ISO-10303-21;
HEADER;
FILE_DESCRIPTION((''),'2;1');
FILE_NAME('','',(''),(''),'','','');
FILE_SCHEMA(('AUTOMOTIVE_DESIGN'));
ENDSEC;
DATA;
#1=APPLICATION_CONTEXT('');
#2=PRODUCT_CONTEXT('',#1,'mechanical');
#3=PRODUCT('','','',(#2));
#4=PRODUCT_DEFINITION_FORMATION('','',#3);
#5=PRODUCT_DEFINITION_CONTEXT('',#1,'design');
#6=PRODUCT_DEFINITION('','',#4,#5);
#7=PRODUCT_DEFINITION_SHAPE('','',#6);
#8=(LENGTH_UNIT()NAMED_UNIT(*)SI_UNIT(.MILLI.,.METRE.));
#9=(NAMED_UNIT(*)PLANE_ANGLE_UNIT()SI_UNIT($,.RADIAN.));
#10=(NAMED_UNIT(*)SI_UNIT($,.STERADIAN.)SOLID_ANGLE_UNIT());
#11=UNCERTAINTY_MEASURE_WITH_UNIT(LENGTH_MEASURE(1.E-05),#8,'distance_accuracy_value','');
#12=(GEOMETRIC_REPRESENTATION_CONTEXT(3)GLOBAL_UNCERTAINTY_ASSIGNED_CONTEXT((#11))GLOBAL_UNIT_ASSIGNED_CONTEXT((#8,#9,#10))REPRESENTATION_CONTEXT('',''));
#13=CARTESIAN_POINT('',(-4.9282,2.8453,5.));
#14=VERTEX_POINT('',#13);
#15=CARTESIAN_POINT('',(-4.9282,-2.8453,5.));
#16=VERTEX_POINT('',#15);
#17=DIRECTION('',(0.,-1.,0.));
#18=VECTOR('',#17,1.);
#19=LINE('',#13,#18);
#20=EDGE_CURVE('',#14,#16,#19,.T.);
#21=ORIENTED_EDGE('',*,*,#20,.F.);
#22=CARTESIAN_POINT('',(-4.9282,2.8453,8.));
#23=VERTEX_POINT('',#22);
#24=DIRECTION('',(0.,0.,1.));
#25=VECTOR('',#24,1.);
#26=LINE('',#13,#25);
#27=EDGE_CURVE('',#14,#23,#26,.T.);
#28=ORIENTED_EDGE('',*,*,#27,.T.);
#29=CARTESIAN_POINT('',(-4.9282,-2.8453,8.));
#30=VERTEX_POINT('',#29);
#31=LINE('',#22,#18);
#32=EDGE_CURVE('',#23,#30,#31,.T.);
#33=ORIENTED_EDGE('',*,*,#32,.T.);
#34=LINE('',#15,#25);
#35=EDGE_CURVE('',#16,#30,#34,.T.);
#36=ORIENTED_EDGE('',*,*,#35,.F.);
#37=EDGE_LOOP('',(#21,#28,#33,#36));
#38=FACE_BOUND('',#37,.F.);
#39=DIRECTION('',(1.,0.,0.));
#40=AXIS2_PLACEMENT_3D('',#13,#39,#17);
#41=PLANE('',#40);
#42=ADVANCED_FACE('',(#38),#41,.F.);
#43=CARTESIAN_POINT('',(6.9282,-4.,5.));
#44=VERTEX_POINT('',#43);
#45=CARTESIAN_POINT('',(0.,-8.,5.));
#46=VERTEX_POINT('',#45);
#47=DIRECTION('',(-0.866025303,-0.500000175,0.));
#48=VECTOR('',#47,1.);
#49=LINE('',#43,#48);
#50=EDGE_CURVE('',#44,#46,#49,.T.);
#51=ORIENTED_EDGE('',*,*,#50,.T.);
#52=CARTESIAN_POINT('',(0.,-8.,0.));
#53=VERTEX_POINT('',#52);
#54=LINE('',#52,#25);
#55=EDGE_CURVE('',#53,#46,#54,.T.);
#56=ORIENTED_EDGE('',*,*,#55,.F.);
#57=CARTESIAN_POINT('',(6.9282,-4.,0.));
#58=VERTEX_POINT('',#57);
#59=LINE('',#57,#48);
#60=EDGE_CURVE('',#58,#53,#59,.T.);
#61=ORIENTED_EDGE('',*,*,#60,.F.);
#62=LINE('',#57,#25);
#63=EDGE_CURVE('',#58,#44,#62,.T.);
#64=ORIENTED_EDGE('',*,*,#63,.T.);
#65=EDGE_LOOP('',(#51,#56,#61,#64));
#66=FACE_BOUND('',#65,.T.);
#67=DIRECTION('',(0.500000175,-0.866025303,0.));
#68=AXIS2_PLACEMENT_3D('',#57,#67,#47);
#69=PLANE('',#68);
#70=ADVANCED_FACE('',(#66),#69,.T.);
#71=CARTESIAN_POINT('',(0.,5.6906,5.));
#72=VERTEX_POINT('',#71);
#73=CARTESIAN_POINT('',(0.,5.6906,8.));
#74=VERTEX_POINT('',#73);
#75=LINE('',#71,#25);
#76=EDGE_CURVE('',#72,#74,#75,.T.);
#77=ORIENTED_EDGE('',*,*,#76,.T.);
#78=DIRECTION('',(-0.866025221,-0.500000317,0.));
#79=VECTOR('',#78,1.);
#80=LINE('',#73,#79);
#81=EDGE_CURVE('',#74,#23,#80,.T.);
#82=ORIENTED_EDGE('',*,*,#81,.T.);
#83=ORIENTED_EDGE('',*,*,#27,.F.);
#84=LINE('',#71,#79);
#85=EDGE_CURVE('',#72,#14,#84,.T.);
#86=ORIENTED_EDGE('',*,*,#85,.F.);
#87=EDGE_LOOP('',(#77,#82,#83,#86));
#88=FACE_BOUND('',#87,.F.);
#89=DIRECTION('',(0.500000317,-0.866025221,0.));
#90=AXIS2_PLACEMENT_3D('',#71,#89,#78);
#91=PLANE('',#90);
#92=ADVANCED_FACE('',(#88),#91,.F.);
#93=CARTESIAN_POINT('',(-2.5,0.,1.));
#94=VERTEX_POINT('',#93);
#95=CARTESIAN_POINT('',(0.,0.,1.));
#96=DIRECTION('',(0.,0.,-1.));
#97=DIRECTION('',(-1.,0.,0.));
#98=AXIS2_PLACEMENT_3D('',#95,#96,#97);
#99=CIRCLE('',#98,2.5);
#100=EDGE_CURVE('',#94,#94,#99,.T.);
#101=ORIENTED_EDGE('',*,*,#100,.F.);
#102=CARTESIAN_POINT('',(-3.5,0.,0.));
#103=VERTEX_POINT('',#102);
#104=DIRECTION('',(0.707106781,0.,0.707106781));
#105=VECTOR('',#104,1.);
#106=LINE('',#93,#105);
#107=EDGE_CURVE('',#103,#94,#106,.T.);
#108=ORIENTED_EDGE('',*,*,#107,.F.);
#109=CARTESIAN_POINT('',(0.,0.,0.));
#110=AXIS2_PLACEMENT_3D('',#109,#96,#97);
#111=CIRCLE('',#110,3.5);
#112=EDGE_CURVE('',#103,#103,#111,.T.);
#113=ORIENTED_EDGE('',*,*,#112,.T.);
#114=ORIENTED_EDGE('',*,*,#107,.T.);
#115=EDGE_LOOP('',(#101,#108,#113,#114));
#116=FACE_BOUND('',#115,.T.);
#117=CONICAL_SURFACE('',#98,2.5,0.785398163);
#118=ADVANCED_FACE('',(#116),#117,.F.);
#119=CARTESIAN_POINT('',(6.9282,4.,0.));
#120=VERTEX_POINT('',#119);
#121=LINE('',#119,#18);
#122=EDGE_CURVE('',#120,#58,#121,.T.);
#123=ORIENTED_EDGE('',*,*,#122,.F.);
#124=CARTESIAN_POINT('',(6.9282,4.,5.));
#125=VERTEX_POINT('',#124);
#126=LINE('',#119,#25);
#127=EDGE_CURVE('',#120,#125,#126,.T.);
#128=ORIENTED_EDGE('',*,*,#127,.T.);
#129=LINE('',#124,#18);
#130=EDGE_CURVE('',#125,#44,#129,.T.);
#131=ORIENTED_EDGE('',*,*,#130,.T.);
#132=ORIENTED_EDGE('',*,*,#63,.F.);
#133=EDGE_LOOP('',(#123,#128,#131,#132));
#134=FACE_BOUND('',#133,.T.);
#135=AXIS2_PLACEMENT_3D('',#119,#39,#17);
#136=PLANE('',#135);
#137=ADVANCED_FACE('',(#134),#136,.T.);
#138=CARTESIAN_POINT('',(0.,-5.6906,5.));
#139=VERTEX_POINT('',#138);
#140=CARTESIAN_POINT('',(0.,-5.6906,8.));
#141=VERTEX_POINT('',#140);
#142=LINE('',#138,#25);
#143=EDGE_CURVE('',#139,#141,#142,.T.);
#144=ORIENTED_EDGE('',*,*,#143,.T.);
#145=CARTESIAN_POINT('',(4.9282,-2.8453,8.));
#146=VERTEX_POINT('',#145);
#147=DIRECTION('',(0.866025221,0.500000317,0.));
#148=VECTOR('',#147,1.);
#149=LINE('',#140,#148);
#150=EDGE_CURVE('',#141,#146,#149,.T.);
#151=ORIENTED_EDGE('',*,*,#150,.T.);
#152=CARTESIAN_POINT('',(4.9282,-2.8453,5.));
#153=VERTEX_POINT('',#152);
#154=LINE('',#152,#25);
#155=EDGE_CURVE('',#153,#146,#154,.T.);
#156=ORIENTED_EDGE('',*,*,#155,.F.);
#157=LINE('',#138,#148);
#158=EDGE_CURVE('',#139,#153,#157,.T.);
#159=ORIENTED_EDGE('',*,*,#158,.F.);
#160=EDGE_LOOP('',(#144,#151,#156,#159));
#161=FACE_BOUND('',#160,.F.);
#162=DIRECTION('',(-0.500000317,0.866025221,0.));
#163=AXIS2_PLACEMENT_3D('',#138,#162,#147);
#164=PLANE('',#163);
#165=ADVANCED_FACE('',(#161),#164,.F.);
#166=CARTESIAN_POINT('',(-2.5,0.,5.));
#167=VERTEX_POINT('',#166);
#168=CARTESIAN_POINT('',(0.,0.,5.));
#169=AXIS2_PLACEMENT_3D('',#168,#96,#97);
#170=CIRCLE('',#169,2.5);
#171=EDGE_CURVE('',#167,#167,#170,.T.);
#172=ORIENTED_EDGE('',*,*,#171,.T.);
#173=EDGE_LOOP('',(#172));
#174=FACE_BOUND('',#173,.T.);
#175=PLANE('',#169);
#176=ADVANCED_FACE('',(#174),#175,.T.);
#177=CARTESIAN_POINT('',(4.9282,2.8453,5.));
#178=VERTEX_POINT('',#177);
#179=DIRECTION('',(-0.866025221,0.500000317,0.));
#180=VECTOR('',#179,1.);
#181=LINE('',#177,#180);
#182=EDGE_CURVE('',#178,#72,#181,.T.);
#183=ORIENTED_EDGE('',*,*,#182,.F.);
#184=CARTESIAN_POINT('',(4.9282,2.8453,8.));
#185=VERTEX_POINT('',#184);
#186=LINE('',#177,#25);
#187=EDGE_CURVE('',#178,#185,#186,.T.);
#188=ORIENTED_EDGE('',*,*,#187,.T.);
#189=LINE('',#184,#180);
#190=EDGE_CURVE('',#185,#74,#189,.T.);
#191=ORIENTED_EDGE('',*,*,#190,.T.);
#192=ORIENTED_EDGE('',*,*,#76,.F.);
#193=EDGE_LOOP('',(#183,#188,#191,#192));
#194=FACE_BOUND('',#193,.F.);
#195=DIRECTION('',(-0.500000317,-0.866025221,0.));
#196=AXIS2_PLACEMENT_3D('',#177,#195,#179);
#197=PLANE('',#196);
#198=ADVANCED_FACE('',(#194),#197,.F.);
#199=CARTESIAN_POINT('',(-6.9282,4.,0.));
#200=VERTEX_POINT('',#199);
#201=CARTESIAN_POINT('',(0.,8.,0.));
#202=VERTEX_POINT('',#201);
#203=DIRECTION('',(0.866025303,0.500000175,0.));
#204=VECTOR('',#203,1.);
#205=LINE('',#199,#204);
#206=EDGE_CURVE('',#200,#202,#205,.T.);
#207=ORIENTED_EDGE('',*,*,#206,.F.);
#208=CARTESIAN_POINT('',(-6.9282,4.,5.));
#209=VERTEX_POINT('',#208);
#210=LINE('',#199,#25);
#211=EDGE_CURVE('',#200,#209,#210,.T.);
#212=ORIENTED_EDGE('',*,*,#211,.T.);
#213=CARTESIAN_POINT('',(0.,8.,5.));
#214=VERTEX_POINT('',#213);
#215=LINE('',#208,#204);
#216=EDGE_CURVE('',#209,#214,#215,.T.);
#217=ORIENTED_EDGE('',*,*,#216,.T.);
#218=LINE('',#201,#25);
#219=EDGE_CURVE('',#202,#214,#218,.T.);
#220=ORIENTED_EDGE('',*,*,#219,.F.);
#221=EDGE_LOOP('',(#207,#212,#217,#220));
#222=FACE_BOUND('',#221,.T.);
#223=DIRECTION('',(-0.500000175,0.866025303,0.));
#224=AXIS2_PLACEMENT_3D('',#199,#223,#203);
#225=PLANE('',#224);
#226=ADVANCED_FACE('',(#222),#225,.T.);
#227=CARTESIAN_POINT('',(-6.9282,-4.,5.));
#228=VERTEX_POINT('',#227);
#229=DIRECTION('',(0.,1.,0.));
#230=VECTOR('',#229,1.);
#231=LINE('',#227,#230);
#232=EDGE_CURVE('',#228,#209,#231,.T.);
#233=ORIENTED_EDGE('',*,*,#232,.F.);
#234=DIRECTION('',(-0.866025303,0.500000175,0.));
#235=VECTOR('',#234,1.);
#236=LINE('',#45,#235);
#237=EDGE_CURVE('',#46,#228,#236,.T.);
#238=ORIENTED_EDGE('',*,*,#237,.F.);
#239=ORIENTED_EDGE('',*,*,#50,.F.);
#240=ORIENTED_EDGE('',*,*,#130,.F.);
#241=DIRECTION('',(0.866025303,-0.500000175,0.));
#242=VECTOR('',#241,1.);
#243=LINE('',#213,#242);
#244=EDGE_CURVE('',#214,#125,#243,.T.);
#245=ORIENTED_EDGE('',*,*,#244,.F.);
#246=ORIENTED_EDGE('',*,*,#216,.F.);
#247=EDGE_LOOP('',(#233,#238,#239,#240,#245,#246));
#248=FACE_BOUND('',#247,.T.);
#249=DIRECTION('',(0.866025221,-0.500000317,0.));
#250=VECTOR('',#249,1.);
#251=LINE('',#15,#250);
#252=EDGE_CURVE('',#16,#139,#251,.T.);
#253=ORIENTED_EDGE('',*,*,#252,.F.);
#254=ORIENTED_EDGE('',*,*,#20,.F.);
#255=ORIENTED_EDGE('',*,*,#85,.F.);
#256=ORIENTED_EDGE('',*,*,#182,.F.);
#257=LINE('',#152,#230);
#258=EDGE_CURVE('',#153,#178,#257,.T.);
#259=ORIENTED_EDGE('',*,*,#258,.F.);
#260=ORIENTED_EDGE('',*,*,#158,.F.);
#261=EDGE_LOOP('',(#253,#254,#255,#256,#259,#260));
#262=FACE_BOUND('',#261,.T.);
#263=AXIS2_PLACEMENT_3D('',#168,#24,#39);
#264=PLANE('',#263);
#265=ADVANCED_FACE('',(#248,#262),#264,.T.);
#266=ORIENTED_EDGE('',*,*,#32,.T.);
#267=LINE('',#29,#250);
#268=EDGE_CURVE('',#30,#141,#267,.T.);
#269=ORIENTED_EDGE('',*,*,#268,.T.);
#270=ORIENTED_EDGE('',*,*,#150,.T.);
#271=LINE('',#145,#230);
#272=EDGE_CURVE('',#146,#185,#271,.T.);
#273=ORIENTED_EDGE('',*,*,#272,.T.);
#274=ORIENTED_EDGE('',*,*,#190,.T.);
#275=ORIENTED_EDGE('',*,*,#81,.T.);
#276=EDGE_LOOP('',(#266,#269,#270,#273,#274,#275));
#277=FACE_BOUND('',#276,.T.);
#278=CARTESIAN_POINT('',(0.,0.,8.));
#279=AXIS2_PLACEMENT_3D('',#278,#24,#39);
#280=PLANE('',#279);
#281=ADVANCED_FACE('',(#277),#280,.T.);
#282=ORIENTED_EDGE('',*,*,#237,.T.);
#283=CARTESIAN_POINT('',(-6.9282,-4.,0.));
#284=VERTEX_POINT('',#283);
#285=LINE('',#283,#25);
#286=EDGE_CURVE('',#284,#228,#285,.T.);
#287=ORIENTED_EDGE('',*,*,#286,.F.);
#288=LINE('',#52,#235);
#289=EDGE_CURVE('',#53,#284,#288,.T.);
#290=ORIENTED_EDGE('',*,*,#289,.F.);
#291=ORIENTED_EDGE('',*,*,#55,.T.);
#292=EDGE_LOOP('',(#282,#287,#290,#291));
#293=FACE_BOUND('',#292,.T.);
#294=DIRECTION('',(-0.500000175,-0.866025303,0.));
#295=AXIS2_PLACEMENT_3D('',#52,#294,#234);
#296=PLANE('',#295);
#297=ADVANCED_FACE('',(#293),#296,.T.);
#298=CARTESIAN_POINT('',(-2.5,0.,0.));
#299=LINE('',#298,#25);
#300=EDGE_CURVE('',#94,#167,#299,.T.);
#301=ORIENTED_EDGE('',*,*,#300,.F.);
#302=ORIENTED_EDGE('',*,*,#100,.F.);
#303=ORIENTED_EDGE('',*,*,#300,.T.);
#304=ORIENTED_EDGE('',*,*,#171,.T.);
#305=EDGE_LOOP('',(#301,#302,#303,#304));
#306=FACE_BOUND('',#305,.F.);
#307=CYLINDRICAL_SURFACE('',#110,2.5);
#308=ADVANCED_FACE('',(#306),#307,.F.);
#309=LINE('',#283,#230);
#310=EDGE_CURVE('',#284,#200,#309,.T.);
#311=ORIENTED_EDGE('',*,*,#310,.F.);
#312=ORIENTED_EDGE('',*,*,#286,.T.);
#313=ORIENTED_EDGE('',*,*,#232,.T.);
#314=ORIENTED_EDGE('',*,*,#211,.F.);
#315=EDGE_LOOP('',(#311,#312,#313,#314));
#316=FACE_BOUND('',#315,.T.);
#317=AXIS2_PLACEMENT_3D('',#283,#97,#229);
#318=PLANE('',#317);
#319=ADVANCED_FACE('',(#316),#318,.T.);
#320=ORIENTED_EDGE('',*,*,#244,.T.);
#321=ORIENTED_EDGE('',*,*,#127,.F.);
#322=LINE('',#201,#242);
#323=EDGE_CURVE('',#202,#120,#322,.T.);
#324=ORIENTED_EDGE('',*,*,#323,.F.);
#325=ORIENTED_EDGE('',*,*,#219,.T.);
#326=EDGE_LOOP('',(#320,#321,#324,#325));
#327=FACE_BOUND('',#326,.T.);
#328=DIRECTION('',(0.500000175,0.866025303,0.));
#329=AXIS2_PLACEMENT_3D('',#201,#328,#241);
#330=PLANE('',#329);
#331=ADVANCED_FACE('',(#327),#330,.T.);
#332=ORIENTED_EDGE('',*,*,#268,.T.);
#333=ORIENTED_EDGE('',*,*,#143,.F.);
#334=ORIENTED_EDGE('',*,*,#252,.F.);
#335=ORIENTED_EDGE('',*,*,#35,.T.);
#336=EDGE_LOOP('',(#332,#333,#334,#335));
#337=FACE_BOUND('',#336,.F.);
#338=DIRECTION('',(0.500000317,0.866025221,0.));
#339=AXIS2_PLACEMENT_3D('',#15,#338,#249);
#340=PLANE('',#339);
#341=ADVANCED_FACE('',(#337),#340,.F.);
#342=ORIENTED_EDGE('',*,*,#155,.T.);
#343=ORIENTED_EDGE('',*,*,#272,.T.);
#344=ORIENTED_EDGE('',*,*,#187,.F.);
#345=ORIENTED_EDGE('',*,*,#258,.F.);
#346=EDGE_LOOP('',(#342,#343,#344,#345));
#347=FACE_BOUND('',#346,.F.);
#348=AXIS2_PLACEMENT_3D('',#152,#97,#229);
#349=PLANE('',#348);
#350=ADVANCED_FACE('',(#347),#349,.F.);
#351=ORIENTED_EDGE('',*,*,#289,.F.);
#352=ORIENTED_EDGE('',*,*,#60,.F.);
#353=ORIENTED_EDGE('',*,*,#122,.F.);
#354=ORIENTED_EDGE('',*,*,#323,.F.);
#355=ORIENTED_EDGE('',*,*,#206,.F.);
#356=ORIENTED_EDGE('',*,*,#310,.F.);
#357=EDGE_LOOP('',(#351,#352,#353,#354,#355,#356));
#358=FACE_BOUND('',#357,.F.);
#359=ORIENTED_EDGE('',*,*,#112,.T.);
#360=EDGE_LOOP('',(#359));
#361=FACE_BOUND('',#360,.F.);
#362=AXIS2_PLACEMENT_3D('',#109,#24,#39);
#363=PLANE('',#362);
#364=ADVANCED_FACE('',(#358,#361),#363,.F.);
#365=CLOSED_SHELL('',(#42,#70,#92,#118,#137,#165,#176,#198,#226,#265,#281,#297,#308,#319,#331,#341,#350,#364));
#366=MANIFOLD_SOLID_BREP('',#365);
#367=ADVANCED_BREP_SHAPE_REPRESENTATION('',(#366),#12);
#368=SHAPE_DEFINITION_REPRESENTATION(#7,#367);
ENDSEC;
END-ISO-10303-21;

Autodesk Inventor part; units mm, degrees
ref_plane "YZ Plane" through (0, 0, 0) normal (1, 0, 0) x (0, 1, 0)
ref_plane "XZ Plane" through (0, 0, 0) normal (0, 1, 0) x (-1, 0, 0)
ref_plane "XY Plane" through (0, 0, 0) normal (0, 0, 1) x (1, 0, 0)
sketch "Sketch1" plane through (0, 0, 0) normal (0, 0, 1) x (1, 0, 0)
  line L0 (0, 8) -> (6.9282, 4)
  line L1 (6.9282, 4) -> (6.9282, -4)
  line L2 (6.9282, -4) -> (0, -8)
  line L3 (0, -8) -> (-6.9282, -4)
  line L4 (-6.9282, -4) -> (-6.9282, 4)
  line L5 (-6.9282, 4) -> (0, 8)
  point P0 (0, 0)
  point P1 (0, 0)
  dimension "d0" = 8
extrude "Extrusion1" add sketch "Sketch1" along normal blind 5
sketch "Sketch2" plane through (0, 0, 5) normal (0, 0, 1) x (1, 0, 0)
  line L0 (-6.9282, 4) -> (-6.9282, -4) projected
  line L1 (-6.9282, -4) -> (0, -8) projected
  line L2 (0, -8) -> (6.9282, -4) projected
  line L3 (6.9282, -4) -> (6.9282, 4) projected
  line L4 (6.9282, 4) -> (0, 8) projected
  line L5 (0, 8) -> (-6.9282, 4) projected
  line L6 (-4.9282, 2.8453) -> (-4.9282, -2.8453)
  line L7 (-4.9282, -2.8453) -> (0, -5.6906)
  line L8 (0, -5.6906) -> (4.9282, -2.8453)
  line L9 (4.9282, -2.8453) -> (4.9282, 2.8453)
  line L10 (4.9282, 2.8453) -> (0, 5.6906)
  line L11 (0, 5.6906) -> (-4.9282, 2.8453)
  point P0 (0, 0)
  dimension "d3" = 2
extrude "Extrusion2" add sketch "Sketch2" along normal blind 3 contours L11 L10 L9 L8 L7 L6
sketch "Sketch3" plane through (0, 0, 0) normal (0, 0, -1) x (-1, 0, 0)
  circle A0 centre (0, 0) radius 2.5
  dimension "d6" = 5
extrude "Extrusion3" cut sketch "Sketch3" against normal blind 5
chamfer "Chamfer1" distance 1 angle 45 1 edges at (2.5, 0, 0)
properties part number "white_part1"
